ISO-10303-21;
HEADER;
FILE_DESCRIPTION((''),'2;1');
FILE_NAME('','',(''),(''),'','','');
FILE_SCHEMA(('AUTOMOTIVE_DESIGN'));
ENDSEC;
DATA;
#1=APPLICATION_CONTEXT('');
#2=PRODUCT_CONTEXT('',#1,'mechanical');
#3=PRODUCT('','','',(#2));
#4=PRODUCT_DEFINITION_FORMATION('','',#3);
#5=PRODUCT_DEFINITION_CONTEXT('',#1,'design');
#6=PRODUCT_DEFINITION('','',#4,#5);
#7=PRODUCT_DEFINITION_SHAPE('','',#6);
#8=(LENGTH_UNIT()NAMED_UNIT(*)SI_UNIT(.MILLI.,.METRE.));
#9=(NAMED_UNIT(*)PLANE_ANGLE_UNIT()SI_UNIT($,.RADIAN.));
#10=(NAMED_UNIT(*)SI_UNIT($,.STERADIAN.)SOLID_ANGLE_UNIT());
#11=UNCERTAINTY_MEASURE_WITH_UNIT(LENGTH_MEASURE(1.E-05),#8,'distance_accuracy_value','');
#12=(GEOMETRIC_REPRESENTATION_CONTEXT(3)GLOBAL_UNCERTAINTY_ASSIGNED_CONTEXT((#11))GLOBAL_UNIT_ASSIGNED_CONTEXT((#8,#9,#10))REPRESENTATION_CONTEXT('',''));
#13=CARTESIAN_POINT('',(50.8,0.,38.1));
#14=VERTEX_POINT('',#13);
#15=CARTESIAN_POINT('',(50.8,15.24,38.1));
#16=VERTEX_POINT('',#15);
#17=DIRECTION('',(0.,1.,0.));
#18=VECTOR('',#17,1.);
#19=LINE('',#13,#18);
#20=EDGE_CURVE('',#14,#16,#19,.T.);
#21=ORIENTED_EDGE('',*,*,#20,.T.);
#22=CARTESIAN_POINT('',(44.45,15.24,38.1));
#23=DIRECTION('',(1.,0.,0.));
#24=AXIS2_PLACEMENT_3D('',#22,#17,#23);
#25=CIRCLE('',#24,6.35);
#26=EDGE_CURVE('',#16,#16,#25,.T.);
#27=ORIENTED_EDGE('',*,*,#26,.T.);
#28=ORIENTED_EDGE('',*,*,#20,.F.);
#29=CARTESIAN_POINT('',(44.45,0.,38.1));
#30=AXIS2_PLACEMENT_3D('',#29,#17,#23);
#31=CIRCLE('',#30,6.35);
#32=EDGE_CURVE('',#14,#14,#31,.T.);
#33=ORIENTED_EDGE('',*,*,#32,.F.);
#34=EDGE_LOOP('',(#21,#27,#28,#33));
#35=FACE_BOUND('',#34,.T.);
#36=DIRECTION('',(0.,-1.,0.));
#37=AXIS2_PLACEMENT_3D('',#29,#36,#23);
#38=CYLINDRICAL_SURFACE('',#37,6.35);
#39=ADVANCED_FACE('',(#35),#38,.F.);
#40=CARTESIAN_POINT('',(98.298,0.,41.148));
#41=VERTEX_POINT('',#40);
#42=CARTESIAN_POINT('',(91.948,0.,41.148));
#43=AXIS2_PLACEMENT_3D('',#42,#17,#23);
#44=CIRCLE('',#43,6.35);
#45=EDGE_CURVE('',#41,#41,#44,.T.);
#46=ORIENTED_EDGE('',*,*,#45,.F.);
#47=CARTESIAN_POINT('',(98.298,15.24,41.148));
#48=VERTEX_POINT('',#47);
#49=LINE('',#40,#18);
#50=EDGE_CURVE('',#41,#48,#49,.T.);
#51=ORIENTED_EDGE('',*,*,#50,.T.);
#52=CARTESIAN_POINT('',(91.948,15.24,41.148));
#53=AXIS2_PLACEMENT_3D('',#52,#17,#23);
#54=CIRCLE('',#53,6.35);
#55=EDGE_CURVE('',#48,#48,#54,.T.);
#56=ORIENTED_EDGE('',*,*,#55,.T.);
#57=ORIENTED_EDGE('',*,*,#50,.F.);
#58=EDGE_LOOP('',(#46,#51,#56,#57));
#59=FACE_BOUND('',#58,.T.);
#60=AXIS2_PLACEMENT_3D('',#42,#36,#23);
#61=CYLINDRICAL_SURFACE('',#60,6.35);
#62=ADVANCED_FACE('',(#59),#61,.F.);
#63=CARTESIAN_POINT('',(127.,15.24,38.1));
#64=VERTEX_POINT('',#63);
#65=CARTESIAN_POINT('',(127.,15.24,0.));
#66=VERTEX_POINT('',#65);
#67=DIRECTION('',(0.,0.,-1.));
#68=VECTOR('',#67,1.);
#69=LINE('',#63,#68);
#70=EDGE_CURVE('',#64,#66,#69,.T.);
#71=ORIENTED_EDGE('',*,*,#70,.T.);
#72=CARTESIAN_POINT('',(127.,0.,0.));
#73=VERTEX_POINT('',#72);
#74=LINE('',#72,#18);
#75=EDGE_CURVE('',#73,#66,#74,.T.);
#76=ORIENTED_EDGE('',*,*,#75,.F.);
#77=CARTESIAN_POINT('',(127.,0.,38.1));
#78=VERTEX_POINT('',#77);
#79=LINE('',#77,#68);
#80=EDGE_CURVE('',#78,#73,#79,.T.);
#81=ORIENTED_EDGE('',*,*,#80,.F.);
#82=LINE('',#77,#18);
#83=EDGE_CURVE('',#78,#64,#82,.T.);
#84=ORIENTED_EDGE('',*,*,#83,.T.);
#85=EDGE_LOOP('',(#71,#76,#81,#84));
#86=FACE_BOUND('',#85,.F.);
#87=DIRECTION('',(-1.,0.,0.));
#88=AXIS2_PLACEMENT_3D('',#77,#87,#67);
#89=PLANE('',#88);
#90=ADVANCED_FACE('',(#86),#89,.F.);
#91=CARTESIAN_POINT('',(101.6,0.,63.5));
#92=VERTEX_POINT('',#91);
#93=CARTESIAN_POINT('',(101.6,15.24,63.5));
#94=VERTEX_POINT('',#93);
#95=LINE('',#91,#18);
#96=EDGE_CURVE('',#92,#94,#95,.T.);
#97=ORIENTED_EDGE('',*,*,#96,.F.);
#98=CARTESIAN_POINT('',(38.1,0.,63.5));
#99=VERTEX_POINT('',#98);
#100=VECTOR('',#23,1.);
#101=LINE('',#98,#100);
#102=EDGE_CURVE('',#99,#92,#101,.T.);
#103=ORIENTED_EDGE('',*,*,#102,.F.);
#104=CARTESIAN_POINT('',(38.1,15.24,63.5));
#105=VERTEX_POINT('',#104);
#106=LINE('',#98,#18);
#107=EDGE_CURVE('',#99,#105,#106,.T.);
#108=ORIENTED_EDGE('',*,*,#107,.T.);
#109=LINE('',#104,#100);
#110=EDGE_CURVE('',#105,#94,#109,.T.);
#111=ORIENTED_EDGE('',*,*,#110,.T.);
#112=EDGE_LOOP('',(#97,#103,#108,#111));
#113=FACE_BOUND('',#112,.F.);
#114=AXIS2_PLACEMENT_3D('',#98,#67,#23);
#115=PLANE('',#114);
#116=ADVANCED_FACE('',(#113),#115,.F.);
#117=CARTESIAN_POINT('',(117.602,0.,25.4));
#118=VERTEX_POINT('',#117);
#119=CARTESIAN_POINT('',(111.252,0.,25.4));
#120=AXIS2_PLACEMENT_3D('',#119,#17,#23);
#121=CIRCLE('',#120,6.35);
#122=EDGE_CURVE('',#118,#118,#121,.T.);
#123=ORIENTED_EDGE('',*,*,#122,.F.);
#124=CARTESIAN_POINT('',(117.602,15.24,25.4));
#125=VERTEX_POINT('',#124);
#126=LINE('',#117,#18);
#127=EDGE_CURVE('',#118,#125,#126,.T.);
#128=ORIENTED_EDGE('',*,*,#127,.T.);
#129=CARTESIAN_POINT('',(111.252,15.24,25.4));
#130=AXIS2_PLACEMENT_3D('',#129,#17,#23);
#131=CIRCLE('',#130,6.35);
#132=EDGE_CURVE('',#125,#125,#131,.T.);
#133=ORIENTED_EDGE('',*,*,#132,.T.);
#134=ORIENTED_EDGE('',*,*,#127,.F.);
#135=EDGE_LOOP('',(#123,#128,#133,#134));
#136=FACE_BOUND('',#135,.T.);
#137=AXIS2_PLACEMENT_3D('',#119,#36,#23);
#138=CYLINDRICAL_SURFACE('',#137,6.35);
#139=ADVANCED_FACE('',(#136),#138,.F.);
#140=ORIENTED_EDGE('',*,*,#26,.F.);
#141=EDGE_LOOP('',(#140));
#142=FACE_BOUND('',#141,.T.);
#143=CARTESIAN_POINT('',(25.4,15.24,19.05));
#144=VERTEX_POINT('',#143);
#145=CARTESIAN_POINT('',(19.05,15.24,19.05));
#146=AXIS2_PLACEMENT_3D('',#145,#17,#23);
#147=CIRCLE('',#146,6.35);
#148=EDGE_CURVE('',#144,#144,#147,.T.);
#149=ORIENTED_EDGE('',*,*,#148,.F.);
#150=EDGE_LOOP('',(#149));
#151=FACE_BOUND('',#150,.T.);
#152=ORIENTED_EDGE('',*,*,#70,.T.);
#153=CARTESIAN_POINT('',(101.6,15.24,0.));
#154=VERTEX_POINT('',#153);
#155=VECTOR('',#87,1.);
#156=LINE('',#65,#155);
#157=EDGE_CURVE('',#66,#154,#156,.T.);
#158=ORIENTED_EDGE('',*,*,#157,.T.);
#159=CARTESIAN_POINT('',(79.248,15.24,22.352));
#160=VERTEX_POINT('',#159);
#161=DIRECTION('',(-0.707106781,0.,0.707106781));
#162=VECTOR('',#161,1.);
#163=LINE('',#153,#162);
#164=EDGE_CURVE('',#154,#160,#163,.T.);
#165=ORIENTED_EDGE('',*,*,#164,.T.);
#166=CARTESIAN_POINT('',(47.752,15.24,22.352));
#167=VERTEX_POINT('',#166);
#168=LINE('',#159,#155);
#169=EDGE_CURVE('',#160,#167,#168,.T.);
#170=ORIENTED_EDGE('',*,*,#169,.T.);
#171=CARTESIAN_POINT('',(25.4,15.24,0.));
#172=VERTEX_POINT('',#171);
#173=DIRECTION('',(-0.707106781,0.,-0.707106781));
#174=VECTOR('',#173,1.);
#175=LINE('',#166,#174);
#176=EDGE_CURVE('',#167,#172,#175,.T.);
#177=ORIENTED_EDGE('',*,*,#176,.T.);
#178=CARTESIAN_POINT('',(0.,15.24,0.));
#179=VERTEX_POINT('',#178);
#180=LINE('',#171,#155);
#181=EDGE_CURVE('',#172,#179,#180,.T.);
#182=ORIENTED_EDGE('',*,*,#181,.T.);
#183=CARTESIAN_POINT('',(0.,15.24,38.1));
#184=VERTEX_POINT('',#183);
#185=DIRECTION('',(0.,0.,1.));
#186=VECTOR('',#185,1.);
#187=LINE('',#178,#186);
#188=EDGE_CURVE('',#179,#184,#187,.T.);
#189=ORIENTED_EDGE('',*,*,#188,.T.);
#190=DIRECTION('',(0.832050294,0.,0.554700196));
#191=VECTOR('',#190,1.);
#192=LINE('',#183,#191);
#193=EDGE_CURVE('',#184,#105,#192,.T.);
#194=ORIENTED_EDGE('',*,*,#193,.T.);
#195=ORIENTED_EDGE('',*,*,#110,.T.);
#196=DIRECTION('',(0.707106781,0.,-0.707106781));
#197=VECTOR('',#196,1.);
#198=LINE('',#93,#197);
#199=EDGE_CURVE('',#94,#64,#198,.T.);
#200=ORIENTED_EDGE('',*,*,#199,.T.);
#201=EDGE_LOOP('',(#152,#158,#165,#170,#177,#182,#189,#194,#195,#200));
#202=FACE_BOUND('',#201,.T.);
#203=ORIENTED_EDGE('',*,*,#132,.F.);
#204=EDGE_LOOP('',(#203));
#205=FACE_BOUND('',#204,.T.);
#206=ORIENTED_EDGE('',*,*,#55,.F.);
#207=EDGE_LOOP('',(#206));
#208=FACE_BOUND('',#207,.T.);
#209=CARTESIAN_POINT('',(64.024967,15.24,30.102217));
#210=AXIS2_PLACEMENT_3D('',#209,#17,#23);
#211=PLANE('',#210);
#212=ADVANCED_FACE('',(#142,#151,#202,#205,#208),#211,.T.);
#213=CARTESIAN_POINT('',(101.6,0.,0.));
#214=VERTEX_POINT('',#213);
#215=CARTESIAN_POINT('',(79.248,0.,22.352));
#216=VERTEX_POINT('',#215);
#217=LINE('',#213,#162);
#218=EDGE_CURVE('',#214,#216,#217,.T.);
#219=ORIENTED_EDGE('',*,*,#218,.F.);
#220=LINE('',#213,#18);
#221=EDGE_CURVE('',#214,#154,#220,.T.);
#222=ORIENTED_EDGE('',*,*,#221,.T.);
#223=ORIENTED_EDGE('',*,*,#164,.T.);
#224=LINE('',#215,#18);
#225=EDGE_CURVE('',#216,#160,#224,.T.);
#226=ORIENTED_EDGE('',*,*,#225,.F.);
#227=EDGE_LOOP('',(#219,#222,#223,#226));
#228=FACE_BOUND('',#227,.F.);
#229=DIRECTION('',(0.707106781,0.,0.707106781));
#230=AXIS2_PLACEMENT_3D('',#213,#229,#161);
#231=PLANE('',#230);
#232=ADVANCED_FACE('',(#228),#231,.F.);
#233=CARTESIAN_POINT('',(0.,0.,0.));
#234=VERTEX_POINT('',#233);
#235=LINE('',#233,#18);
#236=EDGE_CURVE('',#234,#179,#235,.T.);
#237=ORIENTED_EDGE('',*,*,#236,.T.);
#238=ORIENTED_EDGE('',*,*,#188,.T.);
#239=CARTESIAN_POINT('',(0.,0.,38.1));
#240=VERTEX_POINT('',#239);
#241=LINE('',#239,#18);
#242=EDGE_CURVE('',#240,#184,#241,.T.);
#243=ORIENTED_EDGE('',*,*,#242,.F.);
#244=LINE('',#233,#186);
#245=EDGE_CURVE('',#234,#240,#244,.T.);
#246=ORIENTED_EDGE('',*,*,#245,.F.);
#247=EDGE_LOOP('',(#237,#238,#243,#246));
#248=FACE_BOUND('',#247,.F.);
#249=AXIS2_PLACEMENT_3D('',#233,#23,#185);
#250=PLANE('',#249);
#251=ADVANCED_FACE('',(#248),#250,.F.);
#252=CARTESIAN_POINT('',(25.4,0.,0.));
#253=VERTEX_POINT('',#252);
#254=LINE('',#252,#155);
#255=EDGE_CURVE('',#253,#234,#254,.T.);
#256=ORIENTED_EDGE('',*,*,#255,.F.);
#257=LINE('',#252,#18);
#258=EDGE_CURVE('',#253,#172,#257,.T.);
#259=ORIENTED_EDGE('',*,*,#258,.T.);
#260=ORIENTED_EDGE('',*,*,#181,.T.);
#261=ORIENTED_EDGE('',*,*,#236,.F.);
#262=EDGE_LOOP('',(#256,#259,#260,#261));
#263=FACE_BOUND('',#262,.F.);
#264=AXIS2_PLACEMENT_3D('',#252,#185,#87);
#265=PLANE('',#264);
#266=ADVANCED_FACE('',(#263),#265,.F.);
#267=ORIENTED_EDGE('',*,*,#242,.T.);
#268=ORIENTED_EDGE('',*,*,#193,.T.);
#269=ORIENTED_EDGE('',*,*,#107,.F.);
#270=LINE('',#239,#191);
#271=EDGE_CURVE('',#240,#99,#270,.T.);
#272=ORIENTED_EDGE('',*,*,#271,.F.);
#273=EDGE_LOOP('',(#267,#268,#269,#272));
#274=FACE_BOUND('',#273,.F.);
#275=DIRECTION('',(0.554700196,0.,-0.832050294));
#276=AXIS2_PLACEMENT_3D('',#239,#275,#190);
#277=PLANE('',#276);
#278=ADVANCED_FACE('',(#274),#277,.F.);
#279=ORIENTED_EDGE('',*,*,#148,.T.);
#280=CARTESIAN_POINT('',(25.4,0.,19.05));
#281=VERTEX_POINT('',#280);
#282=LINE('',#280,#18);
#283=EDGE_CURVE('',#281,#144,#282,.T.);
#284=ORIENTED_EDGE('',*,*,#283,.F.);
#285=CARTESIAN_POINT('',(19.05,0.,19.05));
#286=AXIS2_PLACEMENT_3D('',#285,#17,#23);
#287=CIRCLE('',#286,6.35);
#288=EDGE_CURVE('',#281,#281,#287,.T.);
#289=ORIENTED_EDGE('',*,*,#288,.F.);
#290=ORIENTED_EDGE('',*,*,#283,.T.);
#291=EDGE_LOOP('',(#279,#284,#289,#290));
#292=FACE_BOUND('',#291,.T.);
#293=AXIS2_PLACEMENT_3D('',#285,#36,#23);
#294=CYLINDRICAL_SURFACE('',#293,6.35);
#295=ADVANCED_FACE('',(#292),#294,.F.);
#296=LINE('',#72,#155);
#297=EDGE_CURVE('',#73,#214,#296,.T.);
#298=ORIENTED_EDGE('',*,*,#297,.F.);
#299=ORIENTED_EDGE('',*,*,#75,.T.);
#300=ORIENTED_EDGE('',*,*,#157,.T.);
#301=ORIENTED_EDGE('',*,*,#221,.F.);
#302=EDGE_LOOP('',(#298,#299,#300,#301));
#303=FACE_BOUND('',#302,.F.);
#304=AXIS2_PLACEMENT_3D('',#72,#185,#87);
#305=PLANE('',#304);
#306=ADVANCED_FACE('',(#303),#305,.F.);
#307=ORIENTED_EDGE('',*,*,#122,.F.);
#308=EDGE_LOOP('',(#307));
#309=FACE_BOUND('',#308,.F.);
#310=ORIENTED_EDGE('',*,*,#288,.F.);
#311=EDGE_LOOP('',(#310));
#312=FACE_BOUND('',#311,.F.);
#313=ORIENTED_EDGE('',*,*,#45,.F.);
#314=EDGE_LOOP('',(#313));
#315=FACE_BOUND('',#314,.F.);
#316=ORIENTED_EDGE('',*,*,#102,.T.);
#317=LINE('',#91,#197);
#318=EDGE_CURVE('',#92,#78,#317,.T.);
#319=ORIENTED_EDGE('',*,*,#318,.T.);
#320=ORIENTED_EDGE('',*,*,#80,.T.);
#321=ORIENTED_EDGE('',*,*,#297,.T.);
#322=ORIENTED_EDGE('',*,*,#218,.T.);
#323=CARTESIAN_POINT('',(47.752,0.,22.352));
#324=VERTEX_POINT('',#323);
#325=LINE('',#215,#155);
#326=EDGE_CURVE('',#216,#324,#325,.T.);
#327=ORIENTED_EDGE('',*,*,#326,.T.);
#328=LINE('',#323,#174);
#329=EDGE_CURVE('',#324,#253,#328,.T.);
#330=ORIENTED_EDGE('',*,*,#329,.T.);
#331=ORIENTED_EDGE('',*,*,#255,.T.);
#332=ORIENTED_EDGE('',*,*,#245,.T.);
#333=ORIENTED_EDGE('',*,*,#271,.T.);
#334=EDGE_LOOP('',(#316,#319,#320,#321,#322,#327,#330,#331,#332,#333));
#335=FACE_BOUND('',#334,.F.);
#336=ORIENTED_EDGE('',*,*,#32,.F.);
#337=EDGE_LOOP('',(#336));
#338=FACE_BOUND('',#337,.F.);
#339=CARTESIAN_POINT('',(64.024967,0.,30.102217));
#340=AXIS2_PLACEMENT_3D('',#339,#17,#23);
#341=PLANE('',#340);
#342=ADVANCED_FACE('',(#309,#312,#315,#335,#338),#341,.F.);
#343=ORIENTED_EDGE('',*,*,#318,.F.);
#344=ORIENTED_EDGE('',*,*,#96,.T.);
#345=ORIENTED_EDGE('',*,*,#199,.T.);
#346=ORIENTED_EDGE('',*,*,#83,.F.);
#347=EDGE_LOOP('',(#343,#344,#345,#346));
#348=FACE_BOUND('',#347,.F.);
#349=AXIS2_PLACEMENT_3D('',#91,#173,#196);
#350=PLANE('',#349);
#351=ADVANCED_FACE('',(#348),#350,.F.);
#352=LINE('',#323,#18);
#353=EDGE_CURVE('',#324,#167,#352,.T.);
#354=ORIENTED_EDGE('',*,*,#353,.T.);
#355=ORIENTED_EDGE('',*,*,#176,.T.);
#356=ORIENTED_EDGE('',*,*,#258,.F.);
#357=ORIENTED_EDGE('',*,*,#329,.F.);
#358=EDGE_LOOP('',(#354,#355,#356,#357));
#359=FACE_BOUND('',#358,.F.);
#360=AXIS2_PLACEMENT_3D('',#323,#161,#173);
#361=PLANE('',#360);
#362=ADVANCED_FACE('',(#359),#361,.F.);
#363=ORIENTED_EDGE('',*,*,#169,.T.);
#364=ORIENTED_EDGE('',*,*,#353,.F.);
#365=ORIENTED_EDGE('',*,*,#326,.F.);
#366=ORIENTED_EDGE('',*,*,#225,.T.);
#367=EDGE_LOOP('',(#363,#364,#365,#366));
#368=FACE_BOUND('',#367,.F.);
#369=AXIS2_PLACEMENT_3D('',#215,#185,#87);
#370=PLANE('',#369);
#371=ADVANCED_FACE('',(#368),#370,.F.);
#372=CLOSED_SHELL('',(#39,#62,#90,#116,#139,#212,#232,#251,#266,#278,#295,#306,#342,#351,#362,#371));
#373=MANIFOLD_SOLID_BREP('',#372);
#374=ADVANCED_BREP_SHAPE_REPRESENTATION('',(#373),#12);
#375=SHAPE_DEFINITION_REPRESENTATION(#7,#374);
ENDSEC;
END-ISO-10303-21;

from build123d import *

# Parameters (mm, degrees)
SKETCH1_R           = 6.35
BOSS_EXTRUDE1_DEPTH = 15.24


with BuildPart() as part:
    # Sketch1 → Boss-Extrude1 (new body)
    with BuildSketch(Plane(origin=(0, 0, 0), x_dir=(1, 0, 0), z_dir=(0, 1, 0))):
        Polygon((0, 0), (0, -38.1), (38.1, -63.5), (101.6, -63.5), (127, -38.1), (127, 0), (101.6, 0), (79.248, -22.352), (47.752, -22.352), (25.4, 0), align=None)
        with Locations((19.05, -19.05)):
            Circle(SKETCH1_R, mode=Mode.SUBTRACT)
        with Locations((44.45, -38.1)):
            Circle(SKETCH1_R, mode=Mode.SUBTRACT)
        with Locations((91.948, -41.148)):
            Circle(SKETCH1_R, mode=Mode.SUBTRACT)
        with Locations((111.252, -25.4)):
            Circle(SKETCH1_R, mode=Mode.SUBTRACT)
    extrude(amount=BOSS_EXTRUDE1_DEPTH)


solid = part.part
